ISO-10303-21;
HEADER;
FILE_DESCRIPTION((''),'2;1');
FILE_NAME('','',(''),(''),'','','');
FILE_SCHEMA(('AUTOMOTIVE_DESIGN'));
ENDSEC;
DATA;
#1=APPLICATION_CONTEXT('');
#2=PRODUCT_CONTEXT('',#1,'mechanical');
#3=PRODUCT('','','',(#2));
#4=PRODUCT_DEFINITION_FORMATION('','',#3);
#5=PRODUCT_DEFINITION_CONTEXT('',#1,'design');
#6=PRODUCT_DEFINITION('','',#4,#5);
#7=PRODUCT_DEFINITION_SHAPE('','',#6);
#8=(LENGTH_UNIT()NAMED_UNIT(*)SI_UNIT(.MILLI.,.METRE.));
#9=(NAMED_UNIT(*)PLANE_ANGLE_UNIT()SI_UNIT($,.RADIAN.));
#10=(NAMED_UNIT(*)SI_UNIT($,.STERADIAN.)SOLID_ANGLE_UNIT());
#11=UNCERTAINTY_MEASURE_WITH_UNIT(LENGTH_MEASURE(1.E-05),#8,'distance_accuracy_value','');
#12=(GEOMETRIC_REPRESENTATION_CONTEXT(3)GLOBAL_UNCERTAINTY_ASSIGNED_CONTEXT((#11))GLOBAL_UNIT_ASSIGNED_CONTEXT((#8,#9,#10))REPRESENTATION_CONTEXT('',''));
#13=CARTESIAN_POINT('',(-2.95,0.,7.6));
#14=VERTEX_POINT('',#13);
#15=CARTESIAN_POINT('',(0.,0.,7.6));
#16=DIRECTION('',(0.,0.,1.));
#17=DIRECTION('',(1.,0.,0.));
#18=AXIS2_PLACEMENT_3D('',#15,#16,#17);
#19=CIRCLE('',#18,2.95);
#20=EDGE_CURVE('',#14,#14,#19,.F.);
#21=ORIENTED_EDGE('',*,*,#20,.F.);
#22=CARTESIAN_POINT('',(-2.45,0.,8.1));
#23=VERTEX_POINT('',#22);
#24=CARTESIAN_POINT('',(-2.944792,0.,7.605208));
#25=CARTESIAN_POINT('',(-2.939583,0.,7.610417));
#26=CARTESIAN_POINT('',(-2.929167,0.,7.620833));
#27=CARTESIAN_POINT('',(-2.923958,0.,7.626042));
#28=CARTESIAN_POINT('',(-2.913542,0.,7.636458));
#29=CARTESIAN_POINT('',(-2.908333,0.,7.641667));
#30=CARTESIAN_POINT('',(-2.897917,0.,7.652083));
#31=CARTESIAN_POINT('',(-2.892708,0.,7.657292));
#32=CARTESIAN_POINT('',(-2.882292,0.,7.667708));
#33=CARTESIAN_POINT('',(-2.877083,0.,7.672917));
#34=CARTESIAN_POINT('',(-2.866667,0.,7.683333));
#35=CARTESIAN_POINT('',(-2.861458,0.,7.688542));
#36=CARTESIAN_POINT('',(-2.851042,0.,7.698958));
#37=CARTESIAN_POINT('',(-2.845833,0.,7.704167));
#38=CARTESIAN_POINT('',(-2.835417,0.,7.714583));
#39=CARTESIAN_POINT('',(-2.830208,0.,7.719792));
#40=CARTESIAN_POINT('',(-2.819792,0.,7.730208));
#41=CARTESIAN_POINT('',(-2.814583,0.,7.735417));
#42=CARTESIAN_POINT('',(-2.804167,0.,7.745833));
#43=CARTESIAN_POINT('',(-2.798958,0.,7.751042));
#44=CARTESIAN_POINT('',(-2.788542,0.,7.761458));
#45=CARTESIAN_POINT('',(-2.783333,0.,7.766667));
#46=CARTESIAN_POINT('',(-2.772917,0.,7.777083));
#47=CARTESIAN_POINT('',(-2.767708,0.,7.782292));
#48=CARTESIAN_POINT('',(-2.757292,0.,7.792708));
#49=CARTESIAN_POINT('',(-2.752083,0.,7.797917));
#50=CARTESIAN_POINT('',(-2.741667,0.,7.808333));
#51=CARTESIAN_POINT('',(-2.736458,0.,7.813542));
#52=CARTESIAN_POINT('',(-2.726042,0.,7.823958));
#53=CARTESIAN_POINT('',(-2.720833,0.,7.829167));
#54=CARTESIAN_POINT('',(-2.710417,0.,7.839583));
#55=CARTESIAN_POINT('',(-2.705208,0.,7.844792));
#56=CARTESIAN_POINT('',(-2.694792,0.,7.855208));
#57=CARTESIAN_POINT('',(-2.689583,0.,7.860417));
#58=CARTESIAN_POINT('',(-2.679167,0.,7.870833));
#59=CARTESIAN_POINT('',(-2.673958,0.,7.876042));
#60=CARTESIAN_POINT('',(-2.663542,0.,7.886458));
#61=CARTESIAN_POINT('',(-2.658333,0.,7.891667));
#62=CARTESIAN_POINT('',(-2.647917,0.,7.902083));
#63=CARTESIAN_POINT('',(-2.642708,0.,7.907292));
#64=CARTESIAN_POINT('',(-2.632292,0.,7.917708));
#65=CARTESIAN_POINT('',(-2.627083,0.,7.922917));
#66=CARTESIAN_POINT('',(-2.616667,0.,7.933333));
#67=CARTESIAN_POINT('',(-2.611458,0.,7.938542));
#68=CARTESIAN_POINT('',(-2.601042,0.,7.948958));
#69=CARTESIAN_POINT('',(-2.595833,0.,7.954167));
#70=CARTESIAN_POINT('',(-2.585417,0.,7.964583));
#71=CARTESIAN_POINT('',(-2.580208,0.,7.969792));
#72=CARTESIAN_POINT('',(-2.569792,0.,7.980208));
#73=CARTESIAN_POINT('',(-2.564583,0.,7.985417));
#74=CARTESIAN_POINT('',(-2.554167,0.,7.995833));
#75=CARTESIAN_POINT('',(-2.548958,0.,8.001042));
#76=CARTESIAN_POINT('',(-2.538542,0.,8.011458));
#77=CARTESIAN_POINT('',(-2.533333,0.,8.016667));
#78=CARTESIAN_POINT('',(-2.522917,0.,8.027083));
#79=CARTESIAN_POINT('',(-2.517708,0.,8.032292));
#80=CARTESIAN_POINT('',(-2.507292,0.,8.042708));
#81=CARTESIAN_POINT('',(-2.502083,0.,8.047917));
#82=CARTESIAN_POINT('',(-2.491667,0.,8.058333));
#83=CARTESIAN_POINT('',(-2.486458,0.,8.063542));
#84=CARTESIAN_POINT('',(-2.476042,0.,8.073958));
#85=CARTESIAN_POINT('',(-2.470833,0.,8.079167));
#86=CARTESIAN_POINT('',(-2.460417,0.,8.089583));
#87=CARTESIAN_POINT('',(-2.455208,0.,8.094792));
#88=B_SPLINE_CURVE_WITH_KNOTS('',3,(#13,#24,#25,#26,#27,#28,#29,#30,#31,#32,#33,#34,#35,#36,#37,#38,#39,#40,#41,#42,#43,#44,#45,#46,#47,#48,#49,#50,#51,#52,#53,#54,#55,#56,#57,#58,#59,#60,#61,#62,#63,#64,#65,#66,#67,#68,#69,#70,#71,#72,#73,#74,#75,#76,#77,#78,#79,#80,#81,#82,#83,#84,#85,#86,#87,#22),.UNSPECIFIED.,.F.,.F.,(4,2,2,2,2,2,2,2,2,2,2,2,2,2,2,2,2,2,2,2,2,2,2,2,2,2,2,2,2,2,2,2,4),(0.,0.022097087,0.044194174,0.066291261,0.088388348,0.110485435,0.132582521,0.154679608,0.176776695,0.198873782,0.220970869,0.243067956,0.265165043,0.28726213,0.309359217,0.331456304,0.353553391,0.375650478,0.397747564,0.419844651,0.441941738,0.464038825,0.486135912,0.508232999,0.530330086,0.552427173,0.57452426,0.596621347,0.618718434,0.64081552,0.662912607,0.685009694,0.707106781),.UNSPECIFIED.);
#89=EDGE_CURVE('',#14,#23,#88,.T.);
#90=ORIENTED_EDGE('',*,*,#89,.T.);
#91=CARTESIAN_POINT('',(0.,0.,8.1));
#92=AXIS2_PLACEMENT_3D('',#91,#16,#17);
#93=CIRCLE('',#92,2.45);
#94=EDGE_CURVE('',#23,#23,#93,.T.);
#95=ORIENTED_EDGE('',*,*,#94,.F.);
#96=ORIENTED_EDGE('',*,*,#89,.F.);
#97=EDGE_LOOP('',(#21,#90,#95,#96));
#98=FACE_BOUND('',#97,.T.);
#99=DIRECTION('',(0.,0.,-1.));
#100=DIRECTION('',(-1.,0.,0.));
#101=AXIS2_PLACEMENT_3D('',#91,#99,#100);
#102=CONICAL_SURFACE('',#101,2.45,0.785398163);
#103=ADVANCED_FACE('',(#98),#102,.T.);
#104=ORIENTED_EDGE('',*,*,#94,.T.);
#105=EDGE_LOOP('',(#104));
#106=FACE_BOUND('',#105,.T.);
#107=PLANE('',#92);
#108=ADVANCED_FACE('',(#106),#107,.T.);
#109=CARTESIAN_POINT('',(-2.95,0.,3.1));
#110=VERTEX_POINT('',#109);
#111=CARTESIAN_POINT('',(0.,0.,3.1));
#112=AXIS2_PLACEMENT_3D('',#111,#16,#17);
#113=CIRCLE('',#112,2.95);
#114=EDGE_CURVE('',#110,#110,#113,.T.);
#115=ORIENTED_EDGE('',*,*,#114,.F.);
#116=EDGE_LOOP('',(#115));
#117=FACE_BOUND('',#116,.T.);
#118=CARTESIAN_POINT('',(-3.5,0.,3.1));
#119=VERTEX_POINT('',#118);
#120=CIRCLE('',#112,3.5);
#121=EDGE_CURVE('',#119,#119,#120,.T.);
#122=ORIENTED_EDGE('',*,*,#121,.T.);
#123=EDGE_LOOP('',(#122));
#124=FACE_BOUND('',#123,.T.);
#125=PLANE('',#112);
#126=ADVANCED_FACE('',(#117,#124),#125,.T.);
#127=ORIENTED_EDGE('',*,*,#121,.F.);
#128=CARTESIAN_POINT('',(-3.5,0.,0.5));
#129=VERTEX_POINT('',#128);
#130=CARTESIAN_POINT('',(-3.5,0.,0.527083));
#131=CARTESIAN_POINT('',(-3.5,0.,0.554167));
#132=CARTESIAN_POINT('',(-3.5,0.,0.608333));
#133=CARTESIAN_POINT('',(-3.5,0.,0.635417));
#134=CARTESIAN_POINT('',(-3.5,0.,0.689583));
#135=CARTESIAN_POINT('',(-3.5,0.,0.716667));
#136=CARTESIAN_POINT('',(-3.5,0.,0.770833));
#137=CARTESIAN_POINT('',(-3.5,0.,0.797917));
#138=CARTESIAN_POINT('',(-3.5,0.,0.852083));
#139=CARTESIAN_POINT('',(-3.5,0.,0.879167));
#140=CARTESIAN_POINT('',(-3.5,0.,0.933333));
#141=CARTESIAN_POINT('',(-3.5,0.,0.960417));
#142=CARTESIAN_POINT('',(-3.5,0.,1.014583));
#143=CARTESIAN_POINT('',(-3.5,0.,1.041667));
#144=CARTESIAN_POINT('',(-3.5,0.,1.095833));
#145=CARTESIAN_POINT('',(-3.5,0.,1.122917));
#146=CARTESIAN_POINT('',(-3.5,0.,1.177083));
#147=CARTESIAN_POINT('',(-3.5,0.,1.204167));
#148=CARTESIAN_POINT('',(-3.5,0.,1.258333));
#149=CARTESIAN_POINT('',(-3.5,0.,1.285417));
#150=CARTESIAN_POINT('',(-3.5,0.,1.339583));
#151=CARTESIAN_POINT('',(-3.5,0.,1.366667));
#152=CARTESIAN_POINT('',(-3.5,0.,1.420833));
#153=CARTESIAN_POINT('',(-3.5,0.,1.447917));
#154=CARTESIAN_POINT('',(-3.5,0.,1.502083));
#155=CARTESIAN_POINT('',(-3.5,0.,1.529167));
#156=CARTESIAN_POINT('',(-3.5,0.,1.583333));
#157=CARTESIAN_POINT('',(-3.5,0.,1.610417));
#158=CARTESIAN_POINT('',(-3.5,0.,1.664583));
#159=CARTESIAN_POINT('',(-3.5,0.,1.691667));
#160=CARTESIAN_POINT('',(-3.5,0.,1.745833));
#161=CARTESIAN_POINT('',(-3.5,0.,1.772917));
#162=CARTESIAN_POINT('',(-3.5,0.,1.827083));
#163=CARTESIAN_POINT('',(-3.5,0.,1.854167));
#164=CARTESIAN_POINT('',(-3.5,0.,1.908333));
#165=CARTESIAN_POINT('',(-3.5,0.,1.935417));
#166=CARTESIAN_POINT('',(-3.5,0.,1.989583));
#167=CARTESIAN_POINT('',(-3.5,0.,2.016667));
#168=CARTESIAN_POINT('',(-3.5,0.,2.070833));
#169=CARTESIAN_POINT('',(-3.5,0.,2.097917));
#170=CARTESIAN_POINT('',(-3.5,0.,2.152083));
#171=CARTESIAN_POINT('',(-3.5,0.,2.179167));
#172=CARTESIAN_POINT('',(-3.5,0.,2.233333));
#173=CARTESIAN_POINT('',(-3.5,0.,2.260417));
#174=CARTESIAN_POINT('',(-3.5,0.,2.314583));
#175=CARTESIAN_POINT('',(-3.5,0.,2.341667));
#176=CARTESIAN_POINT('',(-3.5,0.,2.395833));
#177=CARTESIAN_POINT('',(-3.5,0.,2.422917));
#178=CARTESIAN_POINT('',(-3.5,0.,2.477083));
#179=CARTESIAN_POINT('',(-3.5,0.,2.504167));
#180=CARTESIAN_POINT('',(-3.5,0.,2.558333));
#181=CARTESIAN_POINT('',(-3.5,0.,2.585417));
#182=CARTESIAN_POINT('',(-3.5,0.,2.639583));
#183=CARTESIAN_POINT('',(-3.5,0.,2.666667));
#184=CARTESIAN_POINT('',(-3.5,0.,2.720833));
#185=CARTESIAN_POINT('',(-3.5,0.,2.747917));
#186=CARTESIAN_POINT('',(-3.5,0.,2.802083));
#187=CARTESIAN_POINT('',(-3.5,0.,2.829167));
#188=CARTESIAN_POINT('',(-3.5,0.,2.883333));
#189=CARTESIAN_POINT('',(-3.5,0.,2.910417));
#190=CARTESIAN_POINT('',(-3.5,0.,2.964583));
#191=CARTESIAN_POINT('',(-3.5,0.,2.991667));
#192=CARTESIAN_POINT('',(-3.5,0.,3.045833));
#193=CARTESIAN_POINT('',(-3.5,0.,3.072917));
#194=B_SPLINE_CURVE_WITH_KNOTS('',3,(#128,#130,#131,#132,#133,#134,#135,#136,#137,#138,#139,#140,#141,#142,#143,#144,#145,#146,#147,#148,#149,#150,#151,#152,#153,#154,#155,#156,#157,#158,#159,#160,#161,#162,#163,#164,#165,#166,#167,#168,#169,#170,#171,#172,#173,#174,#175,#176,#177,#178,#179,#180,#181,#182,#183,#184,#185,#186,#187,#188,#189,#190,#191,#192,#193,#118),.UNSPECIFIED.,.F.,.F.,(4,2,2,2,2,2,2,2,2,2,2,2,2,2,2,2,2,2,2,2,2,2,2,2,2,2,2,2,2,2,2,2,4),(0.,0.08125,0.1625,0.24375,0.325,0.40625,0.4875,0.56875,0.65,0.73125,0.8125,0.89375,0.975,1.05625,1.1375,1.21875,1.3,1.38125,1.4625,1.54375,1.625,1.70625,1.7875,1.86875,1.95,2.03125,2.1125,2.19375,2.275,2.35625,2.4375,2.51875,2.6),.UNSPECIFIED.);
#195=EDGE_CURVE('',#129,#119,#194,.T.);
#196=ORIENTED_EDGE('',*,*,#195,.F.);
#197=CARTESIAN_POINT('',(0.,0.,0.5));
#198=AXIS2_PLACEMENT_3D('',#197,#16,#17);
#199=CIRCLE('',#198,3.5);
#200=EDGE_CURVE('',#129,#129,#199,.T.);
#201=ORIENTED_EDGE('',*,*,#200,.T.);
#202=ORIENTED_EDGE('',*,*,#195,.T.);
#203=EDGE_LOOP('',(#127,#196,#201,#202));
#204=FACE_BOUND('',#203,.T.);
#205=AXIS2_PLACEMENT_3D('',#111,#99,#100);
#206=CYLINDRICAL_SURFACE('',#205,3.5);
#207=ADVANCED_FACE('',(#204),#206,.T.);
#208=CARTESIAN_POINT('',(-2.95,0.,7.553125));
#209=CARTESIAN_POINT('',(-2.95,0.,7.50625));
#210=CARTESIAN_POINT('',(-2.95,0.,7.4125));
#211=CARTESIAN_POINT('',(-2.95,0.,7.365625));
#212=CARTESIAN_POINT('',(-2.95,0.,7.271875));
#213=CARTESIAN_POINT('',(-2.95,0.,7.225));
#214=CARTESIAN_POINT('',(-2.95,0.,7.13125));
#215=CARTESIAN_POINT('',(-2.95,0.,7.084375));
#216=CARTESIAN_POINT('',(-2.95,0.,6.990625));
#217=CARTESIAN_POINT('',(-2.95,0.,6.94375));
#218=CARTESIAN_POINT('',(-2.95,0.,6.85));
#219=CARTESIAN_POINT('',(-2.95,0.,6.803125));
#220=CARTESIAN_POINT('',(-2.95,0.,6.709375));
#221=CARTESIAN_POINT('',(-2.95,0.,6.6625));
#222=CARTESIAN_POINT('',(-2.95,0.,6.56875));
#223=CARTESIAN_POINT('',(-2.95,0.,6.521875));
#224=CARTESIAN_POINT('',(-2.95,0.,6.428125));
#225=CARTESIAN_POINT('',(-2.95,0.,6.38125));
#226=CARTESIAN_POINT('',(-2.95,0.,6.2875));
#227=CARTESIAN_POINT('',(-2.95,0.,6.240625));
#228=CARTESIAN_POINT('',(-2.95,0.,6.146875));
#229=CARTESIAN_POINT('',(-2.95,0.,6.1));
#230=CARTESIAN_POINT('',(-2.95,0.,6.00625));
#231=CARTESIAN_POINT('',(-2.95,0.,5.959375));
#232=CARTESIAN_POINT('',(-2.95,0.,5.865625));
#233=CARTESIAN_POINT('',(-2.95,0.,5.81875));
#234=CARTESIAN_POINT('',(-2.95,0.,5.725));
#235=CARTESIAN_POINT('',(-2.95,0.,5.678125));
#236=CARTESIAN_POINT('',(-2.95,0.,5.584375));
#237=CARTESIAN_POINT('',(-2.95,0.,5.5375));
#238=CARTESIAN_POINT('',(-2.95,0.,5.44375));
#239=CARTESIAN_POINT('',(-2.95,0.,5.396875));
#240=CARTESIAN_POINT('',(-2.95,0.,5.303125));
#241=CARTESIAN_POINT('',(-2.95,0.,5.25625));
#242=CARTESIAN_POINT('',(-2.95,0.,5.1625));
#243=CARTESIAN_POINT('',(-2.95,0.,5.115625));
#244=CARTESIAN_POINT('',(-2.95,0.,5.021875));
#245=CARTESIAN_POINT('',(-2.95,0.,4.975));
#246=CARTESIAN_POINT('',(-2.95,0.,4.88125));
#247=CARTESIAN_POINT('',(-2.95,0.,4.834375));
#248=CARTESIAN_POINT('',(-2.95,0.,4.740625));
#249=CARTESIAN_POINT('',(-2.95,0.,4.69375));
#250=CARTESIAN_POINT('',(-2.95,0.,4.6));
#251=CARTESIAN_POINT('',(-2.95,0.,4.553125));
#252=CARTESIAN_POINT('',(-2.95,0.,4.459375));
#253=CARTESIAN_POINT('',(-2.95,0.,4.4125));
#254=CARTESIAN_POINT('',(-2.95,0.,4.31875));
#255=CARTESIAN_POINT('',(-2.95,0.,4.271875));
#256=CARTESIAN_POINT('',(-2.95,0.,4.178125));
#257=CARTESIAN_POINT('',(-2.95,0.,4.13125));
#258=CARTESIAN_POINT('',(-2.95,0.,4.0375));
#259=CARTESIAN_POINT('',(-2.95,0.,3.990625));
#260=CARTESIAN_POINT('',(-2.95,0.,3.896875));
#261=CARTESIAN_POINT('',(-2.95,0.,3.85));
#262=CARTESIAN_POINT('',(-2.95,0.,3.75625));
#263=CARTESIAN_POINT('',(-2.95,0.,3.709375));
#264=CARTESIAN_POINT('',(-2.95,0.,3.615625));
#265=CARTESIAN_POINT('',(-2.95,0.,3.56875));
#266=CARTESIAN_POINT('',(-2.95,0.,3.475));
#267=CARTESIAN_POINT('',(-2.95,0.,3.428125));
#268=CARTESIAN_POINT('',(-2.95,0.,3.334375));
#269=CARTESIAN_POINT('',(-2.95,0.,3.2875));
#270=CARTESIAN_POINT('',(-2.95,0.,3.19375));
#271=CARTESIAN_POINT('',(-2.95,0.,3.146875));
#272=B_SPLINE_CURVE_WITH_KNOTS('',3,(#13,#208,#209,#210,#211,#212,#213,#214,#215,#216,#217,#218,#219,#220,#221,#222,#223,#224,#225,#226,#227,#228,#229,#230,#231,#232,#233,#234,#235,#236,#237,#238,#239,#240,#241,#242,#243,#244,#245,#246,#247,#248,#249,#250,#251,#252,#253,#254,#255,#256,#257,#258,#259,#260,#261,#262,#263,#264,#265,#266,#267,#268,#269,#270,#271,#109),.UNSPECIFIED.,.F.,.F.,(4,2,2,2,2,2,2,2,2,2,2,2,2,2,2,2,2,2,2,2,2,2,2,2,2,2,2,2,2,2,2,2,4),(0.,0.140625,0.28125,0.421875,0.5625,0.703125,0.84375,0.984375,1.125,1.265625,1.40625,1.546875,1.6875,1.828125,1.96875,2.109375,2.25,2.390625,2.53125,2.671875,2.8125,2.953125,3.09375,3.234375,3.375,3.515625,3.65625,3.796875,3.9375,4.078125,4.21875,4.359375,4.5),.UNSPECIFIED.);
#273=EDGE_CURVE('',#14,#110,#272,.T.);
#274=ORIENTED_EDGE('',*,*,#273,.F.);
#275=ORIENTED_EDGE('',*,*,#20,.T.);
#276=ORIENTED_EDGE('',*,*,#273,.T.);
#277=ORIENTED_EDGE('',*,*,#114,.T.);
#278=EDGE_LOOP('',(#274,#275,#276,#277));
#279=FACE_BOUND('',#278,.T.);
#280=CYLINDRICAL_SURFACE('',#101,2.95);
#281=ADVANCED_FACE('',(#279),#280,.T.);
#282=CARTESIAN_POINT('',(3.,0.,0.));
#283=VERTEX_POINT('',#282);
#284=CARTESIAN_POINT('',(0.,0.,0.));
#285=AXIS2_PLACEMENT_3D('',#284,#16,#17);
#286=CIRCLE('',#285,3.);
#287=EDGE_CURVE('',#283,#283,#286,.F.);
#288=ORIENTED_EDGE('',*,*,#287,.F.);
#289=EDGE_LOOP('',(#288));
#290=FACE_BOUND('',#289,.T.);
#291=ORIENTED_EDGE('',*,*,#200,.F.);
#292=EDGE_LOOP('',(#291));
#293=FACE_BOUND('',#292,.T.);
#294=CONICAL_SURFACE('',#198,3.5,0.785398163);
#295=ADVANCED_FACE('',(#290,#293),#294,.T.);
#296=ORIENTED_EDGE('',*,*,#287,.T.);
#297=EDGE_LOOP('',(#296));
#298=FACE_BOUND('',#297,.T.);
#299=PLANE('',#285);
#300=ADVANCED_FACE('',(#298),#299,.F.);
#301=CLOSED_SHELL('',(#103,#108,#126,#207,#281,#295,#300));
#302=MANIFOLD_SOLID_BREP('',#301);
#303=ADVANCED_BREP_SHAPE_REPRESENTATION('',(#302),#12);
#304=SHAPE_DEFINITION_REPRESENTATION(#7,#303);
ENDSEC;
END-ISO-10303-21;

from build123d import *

# Parameters (mm, degrees)
SKETCH_1_R      = 3.5
EXTRUDE_1_DEPTH = 3.1
SKETCH_2_R      = 2.95
EXTRUDE_2_DEPTH = 5
CHAMFER_1_SIZE  = 0.5


with BuildPart() as part:
    # 草图1 → 拉伸1 (new body)
    with BuildSketch(Plane.XY):
        with Locations(Location((0, 0, 0), (0, 0, 180))):
            Circle(SKETCH_1_R)
    extrude(amount=EXTRUDE_1_DEPTH)

    # 草图2 → 拉伸2 (add)
    with BuildSketch(Plane.XY.offset(3.1)):
        Circle(SKETCH_2_R)
    extrude(amount=EXTRUDE_2_DEPTH)

    # 倒角1
    chamfer_1_edges = [part.edges().sort_by_distance(p)[0] for p in [
        (3.5, 0, 0),
        (-2.95, 0, 8.1),
    ]]
    chamfer(chamfer_1_edges, length=CHAMFER_1_SIZE)


solid = part.part
